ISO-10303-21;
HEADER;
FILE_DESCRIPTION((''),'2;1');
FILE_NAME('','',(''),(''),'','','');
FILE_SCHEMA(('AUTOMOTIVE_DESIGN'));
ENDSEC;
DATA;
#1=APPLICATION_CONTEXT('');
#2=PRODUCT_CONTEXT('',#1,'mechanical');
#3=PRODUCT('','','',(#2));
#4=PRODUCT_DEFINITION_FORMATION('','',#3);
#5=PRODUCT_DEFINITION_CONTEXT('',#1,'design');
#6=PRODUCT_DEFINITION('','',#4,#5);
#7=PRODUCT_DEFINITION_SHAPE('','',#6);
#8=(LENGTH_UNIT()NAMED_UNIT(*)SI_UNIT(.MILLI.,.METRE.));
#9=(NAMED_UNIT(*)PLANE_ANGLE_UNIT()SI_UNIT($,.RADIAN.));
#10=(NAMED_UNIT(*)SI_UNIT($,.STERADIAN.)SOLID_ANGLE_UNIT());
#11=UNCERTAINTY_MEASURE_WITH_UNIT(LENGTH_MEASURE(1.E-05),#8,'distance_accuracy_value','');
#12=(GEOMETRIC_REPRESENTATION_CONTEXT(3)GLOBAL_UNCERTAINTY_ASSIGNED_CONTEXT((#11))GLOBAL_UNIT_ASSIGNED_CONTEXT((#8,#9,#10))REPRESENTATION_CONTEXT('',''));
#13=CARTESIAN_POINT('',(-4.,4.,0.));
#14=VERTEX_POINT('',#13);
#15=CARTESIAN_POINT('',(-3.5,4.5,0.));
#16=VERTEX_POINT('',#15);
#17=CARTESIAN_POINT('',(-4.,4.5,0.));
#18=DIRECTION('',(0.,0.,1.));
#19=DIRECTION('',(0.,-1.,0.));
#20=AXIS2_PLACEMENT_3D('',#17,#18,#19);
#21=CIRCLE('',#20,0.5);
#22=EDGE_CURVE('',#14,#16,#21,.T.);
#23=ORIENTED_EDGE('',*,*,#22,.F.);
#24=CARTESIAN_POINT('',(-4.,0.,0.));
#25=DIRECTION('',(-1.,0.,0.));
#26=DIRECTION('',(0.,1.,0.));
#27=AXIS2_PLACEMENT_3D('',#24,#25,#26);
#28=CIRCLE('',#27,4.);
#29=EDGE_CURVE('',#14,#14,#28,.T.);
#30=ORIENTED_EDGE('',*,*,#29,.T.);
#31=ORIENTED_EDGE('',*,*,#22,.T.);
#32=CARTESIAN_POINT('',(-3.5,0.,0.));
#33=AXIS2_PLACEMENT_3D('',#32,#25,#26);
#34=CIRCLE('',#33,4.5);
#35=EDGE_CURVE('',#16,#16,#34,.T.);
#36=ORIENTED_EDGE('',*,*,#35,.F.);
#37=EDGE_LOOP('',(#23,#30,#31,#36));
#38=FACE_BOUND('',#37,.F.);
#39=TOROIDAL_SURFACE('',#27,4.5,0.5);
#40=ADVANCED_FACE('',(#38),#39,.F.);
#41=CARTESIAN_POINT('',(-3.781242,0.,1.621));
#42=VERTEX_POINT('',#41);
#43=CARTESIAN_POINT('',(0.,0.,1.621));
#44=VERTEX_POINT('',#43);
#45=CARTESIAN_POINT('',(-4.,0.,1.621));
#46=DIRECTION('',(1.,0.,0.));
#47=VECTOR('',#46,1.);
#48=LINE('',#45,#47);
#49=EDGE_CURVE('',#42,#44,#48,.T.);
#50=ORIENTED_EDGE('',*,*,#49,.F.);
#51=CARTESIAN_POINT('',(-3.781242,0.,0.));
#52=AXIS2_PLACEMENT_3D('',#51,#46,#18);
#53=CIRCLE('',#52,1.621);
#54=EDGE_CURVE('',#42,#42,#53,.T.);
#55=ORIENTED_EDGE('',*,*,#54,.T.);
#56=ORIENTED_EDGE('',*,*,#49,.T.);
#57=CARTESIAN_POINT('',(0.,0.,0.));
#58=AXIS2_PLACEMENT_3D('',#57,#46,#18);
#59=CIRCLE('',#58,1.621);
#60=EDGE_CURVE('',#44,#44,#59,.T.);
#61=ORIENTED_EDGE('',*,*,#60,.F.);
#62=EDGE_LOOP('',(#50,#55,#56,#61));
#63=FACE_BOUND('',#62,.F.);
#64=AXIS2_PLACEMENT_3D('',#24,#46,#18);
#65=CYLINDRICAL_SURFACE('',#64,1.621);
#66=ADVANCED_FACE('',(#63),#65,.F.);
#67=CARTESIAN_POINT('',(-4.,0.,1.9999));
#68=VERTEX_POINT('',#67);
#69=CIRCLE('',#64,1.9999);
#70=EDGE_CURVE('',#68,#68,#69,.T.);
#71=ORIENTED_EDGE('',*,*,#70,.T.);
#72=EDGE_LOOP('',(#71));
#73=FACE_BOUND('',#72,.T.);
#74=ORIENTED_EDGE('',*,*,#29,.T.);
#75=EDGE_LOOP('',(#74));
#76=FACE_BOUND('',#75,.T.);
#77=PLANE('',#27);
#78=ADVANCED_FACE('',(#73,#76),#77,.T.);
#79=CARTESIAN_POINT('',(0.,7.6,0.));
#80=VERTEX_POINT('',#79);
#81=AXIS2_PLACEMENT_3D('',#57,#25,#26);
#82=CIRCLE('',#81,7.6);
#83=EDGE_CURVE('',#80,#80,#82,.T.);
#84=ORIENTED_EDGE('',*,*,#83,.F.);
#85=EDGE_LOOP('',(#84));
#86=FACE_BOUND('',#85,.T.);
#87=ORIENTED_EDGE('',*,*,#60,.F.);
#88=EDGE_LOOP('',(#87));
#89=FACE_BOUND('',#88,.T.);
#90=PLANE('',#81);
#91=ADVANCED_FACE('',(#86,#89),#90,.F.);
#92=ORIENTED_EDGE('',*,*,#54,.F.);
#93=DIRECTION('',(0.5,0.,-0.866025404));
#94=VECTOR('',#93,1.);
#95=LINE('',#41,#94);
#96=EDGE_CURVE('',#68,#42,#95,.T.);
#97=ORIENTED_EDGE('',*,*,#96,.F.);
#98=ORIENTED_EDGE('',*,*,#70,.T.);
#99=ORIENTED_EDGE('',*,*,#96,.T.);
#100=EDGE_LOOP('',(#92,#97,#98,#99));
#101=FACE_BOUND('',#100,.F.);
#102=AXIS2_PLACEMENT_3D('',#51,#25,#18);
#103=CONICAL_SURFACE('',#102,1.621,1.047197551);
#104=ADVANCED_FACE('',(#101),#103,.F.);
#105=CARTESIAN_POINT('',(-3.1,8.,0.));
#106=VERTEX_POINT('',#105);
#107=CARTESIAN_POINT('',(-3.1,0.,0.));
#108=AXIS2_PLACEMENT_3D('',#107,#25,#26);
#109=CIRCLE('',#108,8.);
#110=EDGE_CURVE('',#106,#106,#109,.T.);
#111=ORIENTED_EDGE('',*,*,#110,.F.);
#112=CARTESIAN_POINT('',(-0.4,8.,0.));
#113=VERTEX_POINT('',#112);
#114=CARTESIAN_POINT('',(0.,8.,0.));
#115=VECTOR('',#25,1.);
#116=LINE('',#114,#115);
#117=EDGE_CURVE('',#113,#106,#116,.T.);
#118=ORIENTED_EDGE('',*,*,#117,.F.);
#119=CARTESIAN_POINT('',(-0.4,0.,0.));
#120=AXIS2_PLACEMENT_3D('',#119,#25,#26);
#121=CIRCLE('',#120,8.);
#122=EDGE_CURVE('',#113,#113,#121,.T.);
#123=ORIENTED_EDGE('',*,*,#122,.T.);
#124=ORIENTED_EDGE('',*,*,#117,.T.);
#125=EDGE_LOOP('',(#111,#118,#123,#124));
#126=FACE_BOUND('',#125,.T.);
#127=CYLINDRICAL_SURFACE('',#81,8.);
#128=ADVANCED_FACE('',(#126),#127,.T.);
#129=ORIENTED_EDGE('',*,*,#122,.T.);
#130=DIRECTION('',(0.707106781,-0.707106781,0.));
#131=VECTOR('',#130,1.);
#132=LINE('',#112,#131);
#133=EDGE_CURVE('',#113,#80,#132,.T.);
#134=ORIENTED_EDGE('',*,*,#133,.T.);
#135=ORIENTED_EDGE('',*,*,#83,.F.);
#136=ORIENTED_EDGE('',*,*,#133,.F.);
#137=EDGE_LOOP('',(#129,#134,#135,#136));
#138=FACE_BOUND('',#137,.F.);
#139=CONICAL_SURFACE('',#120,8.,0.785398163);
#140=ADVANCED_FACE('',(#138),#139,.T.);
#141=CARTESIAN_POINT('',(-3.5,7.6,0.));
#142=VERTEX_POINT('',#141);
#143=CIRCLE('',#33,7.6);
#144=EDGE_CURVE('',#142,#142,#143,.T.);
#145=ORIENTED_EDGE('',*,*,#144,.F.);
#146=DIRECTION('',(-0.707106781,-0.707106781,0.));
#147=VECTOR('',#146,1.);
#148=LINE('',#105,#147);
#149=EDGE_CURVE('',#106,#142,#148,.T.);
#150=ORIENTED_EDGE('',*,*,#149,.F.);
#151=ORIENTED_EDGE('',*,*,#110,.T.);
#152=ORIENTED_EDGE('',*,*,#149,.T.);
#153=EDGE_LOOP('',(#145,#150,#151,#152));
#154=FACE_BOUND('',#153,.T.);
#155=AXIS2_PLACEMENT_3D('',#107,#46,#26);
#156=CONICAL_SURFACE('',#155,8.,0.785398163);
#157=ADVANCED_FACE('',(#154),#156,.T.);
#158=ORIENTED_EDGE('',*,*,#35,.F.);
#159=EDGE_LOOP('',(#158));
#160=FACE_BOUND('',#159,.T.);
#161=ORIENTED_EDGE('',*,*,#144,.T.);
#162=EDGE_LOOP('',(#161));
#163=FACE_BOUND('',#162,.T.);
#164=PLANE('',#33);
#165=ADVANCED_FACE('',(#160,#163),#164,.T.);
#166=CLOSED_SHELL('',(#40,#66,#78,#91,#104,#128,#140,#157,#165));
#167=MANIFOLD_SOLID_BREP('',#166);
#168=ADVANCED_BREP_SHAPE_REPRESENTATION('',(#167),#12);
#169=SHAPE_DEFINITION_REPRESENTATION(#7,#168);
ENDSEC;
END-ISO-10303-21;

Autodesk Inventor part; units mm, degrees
ref_plane "YZ Plane" through (0, 0, 0) normal (1, 0, 0) x (0, 1, 0)
ref_plane "XZ Plane" through (0, 0, 0) normal (0, 1, 0) x (-1, 0, 0)
sketch "Skizze1" plane through (0, 0, 0) normal (0, 0, 1) x (1, 0, 0)
  line L0 (0, 0) -> (-4, 0)
  line L1 (0, 0) -> (0, 8)
  line L2 (0, 8) -> (-3.5, 8)
  line L3 (-3.5, 8) -> (-3.5, 4.5)
  line L4 (-4, 4) -> (-4, 4)
  line L5 (-4, 4) -> (-4, 0)
  arc A0 (-4, 4) -> (-3.5, 4.5) centre (-4, 4.5) ccw
  dimension "d0" = 0.5
  dimension "d1" = 4
  dimension "d2" = 16
  dimension "d3" = 8
revolve "Körper" add sketch "Skizze1" angle 360 about axis through (0, 0, 0) along (-1, 0, 0)
sketch "Skizze2" plane through (-4, 0, 0) normal (-1, 0, 0) x (0, 0, 1)
  circle A0 centre (0, 0) radius 8 projected
  line L0 (0, 0) -> (0, 8) construction
  line L1 (-0.25, 7.9961) -> (0, 7.7461)
  line L2 (0.25, 7.9961) -> (0, 7.7461)
  arc A1 (0.25, 7.9961) -> (-0.25, 7.9961) centre (0, 0) ccw
  circle A2 centre (0, 0) radius 4 projected
  dimension "d4" = 90
  dimension "d5" = 0.25
chamfer "Fase1" distance 0.4 angle 45 1 edges at (0, -8, 0) measured on face at (0, 3.2134, 0.792)
chamfer "Fase2" distance 0.4 angle 45 1 edges at (-3.5, -8, 0) measured on face at (-3.5, 6.7558, 0.6382)
extrude "Nut1" [suppressed]
pattern_circular "Nuten1" [suppressed]
hole "Gewinde" at (-4, 0, 0) direction (1, 0, 0) diameter 3.242 end through all thread size "M4x0.7" class "6H" standard "ISO Metric profile"
chamfer "Fase3" distance 0.3789 angle 30 1 edges at (-4, 0, -1.621) measured on face at (-4, 3.1643, 0.3842)
ref_plane "Work Plane1" through (6.0312, 0, 0) normal (0, 0, -1) x (-1, 0, 0)
equation "\"d5\" = 0.5 * T"
equation "\"d13\" = PHH"
equation "\"d15\" = FAWI"
equation "\"d36\" = PHH"
equation "\"d23\" = PHH"
equation "\"d24\" = FAWI"
equation "\"d37\" = PHH"
equation "\"d10\" = -0.5 * GD1 + 0.5 * NND"
equation "\"d38\" = -0.5 * GD1 + 0.5 * NND"
equation "\"d0\" = RR"
equation "\"d1\" = KOH"
equation "\"d2\" = KOD"
equation "\"d3\" = BDM"
equation "\"FAWI\" = 45deg"
equation "\"T\" = 0.5"
equation "\"NND\" = 4"
equation "\"KOD\" = 16"
equation "\"KOH\" = 4"
equation "\"KOH1\" = 3.5"
equation "\"BDM\" = 8"
equation "\"PHH\" = 0.4"
equation "\"RR\" = 0.5"
equation "\"GUL\" = 0.541266 * PTC"
equation "\"THREADDIA\" = 4"
equation "\"TOA\" = 30deg"
equation "\"PTC\" = 0.7"
equation "\"GAL\" = 0.541266 * PTC"
equation "\"GD1\" = 3.242228"
properties part number "DIN 467 - M4" material "Stahl, weich"
